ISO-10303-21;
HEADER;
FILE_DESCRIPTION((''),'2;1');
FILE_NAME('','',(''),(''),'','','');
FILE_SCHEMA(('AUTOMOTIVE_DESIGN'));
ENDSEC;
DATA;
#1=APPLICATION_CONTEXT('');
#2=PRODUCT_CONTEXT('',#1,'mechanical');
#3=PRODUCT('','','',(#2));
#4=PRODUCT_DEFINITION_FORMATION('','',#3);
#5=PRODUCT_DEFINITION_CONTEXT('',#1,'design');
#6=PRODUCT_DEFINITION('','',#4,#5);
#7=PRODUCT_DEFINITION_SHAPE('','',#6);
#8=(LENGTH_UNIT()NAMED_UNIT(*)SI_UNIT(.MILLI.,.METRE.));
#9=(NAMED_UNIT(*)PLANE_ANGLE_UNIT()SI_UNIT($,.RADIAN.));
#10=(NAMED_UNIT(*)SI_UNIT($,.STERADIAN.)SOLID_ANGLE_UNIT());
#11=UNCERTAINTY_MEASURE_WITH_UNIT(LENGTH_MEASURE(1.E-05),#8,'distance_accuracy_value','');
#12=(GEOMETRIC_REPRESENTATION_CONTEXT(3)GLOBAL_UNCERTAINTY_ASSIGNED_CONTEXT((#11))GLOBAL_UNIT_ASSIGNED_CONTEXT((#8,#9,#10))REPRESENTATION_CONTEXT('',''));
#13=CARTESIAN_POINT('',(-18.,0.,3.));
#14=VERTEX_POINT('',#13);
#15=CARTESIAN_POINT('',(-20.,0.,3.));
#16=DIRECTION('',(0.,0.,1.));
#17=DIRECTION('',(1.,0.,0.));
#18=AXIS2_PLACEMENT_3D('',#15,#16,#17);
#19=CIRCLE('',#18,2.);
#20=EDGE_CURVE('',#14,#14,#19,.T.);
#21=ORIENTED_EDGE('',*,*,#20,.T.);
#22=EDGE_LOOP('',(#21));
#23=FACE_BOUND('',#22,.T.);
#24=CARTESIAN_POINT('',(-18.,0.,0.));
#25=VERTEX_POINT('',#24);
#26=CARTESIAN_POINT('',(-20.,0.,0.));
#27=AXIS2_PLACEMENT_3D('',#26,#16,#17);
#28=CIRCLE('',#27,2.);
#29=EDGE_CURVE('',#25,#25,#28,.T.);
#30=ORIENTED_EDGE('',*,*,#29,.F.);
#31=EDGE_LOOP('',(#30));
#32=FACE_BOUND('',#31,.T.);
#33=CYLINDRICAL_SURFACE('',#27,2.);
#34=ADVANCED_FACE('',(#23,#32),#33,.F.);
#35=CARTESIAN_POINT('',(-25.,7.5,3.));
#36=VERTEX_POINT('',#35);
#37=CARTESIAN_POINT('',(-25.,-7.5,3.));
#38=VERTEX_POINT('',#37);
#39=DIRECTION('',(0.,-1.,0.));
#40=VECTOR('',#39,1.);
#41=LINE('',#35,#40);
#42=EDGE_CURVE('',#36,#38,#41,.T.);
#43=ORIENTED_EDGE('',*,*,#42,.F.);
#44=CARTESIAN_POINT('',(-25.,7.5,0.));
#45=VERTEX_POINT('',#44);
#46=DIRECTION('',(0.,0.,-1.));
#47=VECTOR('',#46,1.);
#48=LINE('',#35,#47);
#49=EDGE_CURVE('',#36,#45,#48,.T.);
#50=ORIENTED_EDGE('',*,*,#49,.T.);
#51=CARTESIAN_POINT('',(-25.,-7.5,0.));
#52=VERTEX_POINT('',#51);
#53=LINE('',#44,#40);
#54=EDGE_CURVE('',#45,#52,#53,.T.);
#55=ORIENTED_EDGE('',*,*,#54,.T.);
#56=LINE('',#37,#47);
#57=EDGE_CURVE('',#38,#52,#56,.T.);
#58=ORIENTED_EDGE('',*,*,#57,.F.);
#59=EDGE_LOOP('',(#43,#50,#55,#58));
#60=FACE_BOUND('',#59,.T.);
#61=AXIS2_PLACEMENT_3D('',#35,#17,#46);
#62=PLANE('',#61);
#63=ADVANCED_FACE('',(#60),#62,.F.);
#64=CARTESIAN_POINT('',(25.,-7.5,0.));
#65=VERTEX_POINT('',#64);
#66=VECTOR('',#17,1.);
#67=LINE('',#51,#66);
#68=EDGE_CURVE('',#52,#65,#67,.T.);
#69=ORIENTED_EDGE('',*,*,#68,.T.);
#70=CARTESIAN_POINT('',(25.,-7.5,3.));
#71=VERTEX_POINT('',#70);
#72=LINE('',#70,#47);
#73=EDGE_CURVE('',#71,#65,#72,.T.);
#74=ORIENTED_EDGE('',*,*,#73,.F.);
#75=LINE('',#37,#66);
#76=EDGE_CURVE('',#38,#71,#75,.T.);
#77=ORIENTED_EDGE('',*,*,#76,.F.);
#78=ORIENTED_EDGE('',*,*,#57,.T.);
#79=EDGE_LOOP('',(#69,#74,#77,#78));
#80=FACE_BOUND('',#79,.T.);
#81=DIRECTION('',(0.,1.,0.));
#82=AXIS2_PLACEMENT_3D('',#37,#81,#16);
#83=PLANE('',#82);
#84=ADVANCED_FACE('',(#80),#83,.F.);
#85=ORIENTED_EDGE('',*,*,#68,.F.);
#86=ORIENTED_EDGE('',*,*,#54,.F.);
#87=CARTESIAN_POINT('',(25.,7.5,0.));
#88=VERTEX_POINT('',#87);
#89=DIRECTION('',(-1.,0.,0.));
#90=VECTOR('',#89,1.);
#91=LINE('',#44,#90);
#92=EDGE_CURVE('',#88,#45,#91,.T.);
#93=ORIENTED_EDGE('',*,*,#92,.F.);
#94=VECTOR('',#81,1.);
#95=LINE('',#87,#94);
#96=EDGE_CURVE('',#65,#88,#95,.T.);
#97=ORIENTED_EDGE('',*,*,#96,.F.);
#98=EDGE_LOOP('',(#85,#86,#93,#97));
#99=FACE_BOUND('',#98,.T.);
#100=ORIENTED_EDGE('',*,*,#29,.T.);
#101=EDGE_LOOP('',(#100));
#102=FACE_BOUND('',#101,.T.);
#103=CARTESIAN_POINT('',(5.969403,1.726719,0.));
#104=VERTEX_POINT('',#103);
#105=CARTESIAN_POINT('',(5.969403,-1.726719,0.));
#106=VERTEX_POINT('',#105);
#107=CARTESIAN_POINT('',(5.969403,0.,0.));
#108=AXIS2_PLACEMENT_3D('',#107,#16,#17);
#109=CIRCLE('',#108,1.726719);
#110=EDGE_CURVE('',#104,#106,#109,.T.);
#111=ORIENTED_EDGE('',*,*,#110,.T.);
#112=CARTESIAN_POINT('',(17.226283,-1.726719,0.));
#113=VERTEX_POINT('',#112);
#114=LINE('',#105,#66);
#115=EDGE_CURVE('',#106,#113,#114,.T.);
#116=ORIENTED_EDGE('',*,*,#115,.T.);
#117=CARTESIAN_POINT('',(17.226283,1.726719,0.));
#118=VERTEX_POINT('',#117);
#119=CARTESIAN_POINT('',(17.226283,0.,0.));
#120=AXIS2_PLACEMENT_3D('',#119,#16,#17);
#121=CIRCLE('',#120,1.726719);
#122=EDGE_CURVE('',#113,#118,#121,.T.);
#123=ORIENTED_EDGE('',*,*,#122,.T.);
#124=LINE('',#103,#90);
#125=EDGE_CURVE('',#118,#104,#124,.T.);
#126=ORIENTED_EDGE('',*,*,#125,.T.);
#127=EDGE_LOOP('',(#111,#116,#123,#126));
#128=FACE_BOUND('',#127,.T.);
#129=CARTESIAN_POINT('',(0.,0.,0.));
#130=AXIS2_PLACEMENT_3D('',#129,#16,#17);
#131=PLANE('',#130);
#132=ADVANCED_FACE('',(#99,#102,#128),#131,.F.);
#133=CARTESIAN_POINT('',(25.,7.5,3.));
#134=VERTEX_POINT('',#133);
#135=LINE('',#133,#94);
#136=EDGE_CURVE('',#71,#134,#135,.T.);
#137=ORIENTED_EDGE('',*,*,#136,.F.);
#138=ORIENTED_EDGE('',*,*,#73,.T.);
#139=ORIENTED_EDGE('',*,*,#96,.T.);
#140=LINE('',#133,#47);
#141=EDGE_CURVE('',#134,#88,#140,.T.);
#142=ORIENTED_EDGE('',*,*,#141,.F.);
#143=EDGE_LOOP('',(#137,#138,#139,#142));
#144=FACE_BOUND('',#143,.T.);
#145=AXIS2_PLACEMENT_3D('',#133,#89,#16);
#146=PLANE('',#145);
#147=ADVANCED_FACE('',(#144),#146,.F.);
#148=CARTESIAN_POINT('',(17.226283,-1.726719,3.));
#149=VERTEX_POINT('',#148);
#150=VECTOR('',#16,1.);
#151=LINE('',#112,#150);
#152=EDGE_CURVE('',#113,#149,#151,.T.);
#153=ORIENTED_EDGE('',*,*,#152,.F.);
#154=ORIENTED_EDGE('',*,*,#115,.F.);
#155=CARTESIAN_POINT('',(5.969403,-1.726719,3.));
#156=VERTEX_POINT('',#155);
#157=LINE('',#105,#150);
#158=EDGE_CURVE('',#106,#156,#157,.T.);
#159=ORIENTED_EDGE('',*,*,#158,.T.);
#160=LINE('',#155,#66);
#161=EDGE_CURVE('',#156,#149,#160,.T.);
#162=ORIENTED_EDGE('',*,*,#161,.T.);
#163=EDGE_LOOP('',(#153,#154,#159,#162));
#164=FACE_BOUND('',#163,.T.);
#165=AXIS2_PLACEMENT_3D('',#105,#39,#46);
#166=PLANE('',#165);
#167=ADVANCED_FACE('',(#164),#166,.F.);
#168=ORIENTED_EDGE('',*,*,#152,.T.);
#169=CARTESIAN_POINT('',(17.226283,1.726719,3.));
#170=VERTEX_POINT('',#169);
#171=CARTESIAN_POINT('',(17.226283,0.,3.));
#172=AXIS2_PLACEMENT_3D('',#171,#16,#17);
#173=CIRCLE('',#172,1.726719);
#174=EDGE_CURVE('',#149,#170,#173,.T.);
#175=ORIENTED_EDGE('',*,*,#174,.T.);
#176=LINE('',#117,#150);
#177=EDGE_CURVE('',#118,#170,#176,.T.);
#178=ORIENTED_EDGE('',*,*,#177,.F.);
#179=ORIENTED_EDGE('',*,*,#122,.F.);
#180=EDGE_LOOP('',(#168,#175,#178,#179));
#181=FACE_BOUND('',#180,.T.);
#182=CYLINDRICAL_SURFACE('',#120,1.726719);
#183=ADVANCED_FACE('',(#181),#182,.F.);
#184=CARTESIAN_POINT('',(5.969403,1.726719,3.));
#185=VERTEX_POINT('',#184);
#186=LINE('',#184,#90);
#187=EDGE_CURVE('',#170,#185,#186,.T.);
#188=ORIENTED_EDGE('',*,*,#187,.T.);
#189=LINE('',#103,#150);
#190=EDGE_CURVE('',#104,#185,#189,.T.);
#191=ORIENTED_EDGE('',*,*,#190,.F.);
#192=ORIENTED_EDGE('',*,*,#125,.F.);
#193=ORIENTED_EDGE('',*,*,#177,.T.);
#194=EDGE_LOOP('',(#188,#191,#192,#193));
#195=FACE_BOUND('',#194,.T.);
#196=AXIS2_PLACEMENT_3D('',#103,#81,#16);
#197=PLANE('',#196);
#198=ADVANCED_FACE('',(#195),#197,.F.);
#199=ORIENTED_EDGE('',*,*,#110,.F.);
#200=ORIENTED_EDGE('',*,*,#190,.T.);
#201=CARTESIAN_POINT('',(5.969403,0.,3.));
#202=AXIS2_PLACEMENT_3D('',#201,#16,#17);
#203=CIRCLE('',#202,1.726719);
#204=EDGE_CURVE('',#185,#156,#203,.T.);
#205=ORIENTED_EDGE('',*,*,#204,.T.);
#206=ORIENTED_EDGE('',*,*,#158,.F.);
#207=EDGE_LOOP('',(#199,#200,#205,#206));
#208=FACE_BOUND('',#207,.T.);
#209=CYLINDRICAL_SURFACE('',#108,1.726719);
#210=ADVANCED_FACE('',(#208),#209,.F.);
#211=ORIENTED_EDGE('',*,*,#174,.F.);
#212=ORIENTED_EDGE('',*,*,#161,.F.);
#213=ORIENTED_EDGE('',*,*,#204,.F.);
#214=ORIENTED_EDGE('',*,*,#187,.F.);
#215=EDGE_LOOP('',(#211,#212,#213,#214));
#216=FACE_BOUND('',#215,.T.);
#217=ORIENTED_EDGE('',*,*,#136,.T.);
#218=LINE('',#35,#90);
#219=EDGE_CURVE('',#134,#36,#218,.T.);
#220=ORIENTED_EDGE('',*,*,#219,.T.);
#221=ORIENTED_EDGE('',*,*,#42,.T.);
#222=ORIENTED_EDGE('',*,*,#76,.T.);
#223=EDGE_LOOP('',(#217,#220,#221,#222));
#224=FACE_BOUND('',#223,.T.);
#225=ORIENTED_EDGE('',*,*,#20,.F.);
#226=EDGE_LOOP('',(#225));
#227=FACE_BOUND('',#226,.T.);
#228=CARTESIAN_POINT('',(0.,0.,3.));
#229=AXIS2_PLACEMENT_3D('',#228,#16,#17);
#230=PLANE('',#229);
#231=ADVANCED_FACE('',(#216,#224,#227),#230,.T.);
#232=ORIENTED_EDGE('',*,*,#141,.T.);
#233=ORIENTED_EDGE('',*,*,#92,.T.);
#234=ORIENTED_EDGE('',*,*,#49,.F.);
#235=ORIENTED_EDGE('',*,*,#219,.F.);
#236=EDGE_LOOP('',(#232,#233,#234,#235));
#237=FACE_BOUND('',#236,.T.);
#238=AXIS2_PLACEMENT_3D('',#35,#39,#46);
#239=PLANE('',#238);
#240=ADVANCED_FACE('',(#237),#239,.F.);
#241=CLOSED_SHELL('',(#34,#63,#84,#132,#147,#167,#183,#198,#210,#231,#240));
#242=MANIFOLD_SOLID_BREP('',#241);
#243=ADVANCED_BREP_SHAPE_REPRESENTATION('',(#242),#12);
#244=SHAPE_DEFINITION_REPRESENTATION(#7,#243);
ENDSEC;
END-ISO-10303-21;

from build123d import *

# Parameters (mm, degrees)
SKETCH1_W           = 50
SKETCH1_H           = 15
BOSS_EXTRUDE1_DEPTH = 3
SKETCH2_R           = 2
CUT_EXTRUDE1_DEPTH  = 3
CUT_EXTRUDE2_DEPTH  = 3


with BuildPart() as part:
    # Sketch1 → Boss-Extrude1 (new body)
    with BuildSketch(Plane.XY):
        Rectangle(SKETCH1_W, SKETCH1_H)
    extrude(amount=BOSS_EXTRUDE1_DEPTH)

    # Sketch2 → Cut-Extrude1 (cut)
    with BuildSketch(Plane.XY.offset(3)):
        with Locations((-20, 0)):
            Circle(SKETCH2_R)
    extrude(amount=-CUT_EXTRUDE1_DEPTH, mode=Mode.SUBTRACT)

    # Sketch3 → Cut-Extrude2 (cut)
    with BuildSketch(Plane.XY.offset(3)):
        with BuildLine():
            Line((5.969403334, 1.726719429), (17.226282515, 1.726719429))
            ThreePointArc((17.226282515, 1.726719429), (18.953001944, 0), (17.226282515, -1.726719429))
            Line((17.226282515, -1.726719429), (5.969403334, -1.726719429))
            ThreePointArc((5.969403334, -1.726719429), (4.242683906, 0), (5.969403334, 1.726719429))
        make_face()
    extrude(amount=-CUT_EXTRUDE2_DEPTH, mode=Mode.SUBTRACT)


solid = part.part
